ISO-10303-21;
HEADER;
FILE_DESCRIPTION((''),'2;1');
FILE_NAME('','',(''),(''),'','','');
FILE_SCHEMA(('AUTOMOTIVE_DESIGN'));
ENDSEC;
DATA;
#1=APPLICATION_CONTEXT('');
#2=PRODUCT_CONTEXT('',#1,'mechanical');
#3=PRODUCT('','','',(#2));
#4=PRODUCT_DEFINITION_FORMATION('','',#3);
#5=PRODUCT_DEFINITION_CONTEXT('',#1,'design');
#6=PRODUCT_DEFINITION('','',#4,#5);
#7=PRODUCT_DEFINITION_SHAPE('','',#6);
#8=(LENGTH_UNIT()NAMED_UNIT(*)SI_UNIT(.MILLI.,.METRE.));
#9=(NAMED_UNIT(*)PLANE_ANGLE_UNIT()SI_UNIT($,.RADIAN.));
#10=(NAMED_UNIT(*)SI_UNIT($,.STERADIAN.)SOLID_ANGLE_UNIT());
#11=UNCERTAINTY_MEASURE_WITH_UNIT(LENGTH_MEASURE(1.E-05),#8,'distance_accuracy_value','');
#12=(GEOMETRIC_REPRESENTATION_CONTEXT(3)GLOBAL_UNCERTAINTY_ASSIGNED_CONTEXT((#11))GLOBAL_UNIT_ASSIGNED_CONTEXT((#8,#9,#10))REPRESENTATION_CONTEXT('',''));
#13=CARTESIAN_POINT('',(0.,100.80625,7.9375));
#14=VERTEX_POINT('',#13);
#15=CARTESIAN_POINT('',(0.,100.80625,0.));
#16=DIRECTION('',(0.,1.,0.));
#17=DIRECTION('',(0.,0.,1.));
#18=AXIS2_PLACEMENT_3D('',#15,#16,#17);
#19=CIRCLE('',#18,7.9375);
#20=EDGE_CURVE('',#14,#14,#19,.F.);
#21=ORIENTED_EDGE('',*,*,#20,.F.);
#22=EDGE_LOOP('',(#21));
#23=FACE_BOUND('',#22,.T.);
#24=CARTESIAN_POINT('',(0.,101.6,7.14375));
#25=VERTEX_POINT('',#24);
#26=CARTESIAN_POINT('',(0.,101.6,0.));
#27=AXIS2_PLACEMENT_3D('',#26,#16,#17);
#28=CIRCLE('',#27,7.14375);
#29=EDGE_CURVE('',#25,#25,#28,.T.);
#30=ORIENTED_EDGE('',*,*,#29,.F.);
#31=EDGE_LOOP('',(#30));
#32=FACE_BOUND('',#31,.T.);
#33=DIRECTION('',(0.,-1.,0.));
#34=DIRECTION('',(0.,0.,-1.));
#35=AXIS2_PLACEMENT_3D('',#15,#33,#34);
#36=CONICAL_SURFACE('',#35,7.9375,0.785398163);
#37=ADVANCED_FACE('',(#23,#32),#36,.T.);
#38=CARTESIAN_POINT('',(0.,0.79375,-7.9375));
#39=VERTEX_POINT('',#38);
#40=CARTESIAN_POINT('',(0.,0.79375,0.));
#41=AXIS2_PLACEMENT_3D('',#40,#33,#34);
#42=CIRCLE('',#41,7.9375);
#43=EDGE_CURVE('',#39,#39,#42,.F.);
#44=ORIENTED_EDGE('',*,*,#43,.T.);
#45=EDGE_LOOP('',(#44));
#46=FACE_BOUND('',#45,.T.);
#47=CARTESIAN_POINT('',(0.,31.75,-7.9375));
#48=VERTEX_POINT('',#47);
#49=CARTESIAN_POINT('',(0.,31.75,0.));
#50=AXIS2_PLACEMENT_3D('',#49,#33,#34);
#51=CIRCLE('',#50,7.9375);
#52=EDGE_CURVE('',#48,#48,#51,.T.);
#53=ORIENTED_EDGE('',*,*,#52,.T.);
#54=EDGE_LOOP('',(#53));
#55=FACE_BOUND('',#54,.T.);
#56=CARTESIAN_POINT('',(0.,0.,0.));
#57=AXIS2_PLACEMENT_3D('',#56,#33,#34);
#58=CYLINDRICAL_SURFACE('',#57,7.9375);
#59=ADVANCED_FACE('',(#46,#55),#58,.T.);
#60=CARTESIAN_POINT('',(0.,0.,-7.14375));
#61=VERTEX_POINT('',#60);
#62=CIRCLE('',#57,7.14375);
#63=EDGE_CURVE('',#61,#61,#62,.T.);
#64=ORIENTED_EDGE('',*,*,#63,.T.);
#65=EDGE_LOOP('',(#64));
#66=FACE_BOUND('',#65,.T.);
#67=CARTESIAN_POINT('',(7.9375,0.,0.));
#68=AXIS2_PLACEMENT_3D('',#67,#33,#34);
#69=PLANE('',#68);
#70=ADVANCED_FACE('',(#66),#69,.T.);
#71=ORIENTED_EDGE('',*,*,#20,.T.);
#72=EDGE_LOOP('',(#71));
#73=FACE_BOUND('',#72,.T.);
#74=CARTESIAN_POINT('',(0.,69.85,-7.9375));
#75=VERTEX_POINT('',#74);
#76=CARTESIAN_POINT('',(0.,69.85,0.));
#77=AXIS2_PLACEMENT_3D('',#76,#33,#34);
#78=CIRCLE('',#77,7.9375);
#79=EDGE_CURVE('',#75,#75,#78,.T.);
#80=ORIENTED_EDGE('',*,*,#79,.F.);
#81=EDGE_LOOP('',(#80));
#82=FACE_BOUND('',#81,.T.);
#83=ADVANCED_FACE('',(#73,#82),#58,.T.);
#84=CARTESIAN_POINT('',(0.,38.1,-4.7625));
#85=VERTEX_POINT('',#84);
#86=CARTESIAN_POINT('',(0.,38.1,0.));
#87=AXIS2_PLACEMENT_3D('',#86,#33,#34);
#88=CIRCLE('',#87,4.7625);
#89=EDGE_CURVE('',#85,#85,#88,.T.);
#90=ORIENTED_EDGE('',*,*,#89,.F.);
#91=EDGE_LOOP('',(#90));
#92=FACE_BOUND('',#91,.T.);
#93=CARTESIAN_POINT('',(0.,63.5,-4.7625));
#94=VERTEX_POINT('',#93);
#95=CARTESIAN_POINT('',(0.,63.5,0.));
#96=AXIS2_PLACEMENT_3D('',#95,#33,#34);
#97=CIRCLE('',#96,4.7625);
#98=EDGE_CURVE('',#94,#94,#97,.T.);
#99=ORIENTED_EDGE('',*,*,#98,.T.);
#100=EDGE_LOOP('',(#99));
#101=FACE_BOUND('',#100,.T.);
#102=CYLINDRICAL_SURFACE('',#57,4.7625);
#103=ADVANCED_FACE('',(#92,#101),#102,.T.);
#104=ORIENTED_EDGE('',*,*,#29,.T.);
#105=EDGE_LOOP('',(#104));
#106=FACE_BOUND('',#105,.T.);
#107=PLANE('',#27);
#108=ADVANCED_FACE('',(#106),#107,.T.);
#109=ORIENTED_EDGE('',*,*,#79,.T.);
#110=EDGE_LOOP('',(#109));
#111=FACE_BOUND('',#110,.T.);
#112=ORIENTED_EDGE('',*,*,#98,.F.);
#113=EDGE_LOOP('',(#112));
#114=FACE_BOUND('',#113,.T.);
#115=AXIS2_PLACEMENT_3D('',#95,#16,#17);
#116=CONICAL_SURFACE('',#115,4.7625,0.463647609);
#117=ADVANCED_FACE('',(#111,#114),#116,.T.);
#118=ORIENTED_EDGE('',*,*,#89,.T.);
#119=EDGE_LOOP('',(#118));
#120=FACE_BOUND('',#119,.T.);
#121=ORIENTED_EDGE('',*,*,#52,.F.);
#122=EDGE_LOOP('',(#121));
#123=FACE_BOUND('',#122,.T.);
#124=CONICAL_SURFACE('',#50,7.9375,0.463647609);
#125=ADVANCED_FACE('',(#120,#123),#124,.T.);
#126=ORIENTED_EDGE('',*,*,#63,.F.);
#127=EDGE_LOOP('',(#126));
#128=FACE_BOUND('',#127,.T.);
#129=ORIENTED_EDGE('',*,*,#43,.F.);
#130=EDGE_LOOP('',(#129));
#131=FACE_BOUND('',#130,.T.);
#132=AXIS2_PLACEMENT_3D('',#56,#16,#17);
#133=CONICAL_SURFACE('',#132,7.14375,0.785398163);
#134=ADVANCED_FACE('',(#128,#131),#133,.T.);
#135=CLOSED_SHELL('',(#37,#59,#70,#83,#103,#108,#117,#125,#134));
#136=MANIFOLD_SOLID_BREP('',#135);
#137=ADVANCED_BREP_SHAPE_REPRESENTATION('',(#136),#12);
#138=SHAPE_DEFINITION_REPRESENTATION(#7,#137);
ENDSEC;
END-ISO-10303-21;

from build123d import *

# Parameters (mm, degrees)
CHAMFER1_SIZE = 0.79375


with BuildPart() as part:
    # Sketch1 → Revolve1 (revolve)
    with BuildSketch(Plane.XY, mode=Mode.PRIVATE) as revolve1_sk:
        Polygon((0, 0), (0, 101.6), (7.9375, 101.6), (7.9375, 69.85), (4.7625, 63.5), (4.7625, 38.1), (7.9375, 31.75), (7.9375, 0), align=None)
    revolve(revolve1_sk.sketch.rotate(Axis((0, 0, 0), (0, 1, 0)), 90), axis=Axis((0, 0, 0), (0, 1, 0)))

    # Chamfer1
    chamfer1_edges = [part.edges().sort_by_distance(p)[0] for p in [
        (0, 0, 7.9375),
        (0, 101.6, 7.9375),
    ]]
    chamfer(chamfer1_edges, length=CHAMFER1_SIZE)


solid = part.part
